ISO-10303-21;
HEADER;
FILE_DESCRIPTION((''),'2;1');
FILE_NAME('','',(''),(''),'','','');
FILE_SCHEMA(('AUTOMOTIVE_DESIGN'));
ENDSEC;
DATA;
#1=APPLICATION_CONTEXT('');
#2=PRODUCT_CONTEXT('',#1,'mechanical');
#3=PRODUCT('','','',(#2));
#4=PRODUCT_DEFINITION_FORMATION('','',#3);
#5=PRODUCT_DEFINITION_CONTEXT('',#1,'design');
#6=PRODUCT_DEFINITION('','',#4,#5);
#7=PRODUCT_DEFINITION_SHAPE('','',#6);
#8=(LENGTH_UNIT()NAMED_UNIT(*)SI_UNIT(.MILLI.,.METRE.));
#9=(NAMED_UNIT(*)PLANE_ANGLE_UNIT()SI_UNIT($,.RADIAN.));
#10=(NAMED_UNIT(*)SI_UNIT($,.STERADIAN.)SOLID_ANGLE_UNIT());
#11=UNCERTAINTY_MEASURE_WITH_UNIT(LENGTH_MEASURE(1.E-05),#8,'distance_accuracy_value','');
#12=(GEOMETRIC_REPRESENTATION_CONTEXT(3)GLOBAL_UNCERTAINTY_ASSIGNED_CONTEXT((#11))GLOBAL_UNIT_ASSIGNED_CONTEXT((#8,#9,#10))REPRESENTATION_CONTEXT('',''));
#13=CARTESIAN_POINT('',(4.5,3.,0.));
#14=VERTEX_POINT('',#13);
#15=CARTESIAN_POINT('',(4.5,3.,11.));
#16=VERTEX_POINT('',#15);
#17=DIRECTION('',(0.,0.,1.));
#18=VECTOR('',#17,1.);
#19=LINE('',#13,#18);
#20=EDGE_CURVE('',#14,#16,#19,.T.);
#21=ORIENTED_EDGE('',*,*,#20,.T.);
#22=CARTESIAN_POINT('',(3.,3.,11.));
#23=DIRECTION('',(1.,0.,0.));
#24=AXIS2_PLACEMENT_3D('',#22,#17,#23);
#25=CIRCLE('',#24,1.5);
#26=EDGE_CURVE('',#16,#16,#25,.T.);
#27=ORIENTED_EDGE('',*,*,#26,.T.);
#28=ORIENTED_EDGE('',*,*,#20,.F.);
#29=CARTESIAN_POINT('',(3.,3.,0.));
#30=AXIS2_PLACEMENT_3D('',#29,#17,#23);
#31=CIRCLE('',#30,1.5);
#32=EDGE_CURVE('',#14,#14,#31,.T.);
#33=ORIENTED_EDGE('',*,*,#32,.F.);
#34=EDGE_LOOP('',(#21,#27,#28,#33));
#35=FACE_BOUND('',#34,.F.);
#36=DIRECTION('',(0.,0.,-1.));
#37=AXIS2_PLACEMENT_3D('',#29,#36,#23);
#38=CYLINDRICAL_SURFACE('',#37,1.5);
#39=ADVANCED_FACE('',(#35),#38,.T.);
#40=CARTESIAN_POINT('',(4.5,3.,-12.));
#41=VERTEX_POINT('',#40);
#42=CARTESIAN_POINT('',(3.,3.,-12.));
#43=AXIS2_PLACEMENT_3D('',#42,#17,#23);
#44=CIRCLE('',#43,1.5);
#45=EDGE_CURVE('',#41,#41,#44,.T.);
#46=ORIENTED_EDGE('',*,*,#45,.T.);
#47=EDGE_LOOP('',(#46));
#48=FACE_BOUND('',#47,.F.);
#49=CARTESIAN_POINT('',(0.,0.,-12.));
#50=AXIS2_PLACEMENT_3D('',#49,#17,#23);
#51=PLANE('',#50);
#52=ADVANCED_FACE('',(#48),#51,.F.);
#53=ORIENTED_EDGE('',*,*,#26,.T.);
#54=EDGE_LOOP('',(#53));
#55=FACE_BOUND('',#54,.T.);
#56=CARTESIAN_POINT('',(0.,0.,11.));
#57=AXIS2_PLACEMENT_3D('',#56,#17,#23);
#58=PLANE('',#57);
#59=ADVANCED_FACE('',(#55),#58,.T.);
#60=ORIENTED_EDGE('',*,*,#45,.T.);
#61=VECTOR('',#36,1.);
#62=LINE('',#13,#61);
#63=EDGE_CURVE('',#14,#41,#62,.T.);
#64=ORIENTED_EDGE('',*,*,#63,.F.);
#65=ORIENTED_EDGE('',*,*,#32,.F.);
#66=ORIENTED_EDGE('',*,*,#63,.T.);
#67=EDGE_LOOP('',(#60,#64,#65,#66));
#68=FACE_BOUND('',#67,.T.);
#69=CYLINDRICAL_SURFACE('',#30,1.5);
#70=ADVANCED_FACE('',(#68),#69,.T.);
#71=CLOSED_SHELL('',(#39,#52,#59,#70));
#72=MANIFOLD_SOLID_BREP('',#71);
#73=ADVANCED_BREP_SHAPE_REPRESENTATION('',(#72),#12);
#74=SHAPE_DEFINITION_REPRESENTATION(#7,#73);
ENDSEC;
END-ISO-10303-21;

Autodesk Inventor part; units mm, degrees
ref_plane "YZ Plane" through (0, 0, 0) normal (1, 0, 0) x (0, 1, 0)
ref_plane "XZ Plane" through (0, 0, 0) normal (0, 1, 0) x (-1, 0, 0)
ref_plane "XY Plane" through (0, 0, 0) normal (0, 0, 1) x (1, 0, 0)
sketch "Sketch1" plane through (0, 0, 0) normal (0, 0, 1) x (1, 0, 0)
  circle A0 centre (3, 3) radius 1.5 projected
  point P0 (0, 0)
extrude "Extrusion1" add sketch "Sketch1" along normal blind 11 and the other way blind 12
properties part number "Tornillo"
